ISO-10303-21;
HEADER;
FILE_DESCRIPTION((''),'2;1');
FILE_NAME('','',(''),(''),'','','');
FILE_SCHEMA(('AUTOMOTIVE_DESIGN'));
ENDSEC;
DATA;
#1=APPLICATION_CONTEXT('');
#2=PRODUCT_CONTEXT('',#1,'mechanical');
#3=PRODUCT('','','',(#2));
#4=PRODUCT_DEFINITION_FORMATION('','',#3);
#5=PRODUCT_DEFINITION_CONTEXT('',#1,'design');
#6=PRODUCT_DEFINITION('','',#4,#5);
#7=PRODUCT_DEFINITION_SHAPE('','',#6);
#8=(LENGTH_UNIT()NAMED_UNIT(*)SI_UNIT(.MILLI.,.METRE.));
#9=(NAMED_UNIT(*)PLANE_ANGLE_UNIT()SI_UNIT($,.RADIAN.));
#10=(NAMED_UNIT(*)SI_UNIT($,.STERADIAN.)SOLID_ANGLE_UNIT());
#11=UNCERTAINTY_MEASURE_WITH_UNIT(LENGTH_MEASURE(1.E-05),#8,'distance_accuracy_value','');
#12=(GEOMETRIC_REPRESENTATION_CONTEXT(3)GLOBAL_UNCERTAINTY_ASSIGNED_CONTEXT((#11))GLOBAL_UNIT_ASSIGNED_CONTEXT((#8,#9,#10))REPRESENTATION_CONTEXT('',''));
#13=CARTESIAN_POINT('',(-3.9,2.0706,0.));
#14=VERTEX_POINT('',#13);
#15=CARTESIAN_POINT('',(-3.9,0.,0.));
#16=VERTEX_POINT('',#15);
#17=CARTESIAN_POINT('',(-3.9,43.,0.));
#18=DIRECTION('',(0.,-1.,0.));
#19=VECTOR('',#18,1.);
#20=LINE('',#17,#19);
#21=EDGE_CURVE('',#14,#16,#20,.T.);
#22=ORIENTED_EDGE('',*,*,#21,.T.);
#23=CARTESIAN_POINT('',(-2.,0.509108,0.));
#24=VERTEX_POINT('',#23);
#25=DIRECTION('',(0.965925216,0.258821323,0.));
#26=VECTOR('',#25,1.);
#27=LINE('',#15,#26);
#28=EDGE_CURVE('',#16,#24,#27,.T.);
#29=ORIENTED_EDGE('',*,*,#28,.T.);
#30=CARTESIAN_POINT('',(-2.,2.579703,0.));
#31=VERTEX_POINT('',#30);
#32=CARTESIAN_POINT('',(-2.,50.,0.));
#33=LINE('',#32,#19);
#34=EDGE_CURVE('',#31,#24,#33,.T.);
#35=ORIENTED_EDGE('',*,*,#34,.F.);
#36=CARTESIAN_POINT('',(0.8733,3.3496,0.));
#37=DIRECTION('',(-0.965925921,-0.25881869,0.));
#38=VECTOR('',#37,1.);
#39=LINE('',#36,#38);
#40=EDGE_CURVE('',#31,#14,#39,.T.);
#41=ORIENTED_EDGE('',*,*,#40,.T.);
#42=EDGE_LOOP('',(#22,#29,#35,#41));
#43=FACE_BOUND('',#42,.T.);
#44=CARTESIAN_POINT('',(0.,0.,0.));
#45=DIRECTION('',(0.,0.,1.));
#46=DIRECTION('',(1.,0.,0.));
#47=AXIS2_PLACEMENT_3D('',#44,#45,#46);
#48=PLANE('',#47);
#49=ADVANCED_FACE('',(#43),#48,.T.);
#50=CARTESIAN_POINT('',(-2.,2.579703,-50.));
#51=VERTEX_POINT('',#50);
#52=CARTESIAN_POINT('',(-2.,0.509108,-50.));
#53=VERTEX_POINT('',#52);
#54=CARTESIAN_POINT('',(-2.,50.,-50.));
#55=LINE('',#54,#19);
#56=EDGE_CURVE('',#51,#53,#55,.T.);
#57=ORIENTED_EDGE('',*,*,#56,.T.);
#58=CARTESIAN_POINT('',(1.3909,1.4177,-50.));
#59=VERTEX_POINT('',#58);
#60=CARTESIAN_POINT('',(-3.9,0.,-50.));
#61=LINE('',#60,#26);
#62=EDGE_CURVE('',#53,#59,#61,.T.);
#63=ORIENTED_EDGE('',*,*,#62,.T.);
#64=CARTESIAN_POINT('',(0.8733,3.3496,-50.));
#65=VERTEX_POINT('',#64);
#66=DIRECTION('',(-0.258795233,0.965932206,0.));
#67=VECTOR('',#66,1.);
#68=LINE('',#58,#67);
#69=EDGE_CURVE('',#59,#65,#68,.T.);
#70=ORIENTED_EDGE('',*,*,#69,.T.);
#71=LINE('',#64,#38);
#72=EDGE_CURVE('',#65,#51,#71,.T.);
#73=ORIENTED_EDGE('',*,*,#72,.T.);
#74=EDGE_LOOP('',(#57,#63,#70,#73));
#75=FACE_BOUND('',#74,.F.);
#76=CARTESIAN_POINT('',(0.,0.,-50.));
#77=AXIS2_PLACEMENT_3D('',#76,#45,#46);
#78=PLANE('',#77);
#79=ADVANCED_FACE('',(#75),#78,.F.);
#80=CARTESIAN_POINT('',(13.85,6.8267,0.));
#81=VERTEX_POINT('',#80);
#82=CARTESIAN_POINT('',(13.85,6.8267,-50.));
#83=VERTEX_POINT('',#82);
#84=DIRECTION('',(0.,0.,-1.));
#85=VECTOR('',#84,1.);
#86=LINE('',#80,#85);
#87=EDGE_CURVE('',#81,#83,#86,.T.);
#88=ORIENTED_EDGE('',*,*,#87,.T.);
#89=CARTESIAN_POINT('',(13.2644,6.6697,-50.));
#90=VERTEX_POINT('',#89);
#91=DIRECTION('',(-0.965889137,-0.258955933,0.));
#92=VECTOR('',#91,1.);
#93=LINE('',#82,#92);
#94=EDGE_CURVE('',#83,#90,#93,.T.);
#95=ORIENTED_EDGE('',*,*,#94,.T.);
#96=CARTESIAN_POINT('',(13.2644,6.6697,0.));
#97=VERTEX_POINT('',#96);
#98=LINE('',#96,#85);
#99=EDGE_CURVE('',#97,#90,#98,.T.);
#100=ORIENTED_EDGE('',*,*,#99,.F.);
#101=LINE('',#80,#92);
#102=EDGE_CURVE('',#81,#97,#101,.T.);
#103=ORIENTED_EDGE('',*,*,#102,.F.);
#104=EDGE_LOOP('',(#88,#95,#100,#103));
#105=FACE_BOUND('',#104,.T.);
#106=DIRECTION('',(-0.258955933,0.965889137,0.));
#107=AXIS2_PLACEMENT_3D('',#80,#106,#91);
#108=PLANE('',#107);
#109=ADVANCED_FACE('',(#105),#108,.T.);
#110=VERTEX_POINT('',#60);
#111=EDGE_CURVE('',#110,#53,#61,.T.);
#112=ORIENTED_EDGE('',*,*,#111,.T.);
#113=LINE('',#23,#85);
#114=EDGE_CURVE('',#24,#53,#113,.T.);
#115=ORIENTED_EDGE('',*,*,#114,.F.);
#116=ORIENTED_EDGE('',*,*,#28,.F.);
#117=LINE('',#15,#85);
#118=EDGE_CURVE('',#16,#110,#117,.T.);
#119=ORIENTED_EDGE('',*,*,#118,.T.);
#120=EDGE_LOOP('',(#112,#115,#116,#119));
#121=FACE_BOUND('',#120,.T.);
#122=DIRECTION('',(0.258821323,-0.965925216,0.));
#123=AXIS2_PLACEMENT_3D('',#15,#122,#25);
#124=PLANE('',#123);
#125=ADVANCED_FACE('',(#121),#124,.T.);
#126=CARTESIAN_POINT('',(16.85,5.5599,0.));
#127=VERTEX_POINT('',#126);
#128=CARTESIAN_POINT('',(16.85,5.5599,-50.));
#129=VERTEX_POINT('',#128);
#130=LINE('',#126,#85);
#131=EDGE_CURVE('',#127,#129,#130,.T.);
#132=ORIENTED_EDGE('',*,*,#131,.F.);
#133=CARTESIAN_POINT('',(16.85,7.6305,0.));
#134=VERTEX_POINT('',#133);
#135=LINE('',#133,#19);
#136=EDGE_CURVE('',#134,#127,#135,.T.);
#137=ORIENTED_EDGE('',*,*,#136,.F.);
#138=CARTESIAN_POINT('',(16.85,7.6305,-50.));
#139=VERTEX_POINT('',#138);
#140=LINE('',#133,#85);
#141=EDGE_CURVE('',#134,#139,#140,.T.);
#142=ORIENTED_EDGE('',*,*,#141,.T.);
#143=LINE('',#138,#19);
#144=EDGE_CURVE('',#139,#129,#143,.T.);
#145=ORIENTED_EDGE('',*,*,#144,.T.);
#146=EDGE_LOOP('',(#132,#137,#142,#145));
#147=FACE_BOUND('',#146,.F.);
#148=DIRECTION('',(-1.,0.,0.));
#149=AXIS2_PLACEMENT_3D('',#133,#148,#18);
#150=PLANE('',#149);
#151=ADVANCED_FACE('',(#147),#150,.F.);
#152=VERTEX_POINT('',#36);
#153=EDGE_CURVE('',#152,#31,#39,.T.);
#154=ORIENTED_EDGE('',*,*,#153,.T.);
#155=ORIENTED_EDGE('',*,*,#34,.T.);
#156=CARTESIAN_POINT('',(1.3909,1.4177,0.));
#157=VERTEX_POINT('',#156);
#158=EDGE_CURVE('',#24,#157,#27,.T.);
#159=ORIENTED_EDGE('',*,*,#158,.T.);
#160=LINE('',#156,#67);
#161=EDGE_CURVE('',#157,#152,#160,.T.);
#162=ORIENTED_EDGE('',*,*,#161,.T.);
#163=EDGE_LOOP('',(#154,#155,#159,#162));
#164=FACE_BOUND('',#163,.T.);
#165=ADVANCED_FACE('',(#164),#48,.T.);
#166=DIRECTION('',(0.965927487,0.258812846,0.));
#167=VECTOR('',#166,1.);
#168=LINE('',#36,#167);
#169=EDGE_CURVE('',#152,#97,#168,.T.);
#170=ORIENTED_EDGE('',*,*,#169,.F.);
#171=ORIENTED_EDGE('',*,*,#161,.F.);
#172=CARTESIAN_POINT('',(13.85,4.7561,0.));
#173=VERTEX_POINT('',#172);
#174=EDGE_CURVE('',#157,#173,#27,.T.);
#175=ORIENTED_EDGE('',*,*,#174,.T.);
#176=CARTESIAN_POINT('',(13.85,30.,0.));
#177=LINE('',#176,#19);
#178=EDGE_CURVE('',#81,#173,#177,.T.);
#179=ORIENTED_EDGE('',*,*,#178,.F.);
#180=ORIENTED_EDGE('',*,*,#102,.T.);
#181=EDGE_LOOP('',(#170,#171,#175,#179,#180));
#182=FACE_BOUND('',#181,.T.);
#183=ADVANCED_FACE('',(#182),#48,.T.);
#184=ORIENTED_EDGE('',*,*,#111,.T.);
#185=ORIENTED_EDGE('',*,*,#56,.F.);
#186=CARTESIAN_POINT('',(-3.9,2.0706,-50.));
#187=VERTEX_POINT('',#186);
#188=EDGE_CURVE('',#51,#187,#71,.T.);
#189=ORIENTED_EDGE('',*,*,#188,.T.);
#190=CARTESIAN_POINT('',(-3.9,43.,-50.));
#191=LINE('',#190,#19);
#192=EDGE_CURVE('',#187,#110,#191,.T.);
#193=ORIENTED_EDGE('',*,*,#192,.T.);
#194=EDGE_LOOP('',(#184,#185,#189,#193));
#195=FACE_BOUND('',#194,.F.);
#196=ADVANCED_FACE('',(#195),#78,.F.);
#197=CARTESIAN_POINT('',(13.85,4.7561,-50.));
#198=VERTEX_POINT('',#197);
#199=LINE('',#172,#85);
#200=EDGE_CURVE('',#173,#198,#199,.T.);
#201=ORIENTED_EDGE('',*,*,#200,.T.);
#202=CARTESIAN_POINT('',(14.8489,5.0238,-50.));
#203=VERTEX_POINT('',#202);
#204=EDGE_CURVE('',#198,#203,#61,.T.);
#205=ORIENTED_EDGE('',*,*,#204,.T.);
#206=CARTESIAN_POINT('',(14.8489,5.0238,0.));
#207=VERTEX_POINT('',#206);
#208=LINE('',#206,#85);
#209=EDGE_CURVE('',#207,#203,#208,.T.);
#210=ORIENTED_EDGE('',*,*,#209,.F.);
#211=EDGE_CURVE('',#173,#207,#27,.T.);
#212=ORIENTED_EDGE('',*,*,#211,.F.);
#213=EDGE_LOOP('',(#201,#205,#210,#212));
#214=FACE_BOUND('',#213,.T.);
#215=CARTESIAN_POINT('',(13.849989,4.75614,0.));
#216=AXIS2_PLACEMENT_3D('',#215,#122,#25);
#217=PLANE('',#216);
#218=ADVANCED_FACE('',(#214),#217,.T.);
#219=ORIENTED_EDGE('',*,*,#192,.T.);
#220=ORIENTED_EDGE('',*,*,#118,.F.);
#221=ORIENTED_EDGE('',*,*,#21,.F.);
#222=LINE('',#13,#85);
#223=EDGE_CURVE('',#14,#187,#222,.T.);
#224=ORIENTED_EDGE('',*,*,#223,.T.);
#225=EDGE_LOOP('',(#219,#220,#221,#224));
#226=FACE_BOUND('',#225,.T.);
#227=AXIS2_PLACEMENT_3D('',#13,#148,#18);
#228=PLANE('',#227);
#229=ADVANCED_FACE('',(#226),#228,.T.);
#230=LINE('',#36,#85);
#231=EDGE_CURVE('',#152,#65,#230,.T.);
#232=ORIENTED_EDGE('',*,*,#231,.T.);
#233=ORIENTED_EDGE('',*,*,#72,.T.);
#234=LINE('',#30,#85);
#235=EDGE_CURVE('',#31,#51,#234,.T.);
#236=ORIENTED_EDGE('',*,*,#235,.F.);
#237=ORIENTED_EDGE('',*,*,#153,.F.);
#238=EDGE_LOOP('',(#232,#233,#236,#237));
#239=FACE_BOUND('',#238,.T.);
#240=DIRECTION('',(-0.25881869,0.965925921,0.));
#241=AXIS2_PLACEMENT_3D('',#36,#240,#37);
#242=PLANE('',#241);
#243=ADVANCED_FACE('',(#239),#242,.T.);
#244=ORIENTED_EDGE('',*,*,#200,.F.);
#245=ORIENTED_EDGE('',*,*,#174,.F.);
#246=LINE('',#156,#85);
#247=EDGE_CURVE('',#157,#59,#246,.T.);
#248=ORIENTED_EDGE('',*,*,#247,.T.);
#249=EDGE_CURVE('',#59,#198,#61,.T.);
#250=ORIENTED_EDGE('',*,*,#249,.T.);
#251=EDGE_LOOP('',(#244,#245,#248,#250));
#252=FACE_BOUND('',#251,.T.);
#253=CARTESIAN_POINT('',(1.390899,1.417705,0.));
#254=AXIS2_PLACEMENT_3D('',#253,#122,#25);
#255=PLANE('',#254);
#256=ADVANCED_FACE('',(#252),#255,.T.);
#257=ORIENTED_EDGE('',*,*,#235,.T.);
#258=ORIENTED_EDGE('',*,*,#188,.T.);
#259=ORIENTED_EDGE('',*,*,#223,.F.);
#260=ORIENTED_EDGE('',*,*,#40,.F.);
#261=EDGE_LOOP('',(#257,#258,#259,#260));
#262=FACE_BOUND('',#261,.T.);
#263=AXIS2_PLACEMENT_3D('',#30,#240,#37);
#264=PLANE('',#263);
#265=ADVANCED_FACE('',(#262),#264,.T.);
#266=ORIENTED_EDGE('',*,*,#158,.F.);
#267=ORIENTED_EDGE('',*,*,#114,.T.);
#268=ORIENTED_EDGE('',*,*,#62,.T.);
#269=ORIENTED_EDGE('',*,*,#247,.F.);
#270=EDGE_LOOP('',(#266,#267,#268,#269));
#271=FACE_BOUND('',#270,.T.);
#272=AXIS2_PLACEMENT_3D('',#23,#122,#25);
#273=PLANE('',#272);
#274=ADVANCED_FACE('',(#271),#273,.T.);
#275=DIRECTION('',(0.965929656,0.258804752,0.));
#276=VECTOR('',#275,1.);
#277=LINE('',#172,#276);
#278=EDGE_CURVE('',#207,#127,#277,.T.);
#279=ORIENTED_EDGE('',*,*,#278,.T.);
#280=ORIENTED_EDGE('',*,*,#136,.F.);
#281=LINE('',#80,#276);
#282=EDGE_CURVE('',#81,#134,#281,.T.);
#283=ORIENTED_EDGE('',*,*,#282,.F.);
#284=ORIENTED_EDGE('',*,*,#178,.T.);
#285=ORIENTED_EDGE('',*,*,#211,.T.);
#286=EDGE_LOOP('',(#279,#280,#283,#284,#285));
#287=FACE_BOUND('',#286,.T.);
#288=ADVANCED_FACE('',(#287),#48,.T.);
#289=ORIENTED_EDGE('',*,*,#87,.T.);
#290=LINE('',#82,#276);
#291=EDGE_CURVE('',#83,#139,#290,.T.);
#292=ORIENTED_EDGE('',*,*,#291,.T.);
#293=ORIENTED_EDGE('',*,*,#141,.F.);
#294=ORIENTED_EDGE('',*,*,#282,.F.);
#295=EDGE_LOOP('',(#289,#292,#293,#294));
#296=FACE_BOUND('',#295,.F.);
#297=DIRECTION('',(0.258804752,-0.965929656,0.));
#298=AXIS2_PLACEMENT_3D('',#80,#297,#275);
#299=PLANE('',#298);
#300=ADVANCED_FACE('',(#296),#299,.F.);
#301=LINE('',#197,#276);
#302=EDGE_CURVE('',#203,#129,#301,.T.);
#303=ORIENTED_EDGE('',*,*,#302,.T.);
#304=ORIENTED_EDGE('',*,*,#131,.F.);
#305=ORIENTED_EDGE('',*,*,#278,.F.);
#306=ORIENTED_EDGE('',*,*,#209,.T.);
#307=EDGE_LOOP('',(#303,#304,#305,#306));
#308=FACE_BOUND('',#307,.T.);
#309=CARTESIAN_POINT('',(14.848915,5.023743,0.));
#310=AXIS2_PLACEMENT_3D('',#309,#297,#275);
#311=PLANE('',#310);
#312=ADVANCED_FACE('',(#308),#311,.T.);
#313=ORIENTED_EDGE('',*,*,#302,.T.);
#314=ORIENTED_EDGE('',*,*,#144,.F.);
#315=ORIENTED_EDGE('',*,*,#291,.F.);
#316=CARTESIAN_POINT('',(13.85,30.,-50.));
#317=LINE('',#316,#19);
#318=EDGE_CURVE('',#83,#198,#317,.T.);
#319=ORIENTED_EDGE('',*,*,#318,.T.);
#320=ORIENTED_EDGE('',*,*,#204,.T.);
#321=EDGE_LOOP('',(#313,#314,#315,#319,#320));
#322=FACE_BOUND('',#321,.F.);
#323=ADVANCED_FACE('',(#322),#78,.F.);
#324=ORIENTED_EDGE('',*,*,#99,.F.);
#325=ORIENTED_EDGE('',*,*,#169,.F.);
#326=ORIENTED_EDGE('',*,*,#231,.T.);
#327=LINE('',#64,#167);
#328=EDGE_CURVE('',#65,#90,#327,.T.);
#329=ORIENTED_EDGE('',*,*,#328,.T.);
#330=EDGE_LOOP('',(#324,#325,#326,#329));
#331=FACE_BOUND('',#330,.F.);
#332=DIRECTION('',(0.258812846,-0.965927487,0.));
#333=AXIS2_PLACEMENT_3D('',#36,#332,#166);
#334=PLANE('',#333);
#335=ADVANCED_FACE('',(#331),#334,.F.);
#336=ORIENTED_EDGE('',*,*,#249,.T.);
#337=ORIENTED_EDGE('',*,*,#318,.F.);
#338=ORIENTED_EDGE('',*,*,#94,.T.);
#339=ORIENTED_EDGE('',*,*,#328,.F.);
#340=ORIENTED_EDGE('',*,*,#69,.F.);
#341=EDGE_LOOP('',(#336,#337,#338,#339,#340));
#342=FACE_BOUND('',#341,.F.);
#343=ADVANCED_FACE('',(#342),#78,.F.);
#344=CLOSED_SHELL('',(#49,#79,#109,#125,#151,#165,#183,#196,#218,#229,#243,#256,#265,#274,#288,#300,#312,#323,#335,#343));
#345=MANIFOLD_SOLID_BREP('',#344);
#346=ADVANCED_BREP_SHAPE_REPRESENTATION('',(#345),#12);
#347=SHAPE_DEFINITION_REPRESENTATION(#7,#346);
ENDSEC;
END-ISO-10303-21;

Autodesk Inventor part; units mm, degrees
ref_plane "YZ Plane" through (0, 0, 0) normal (1, 0, 0) x (0, 1, 0)
ref_plane "XZ Plane" through (0, 0, 0) normal (0, 1, 0) x (-1, 0, 0)
ref_plane "XY Plane" through (0, 0, 0) normal (0, 0, 1) x (1, 0, 0)
sketch "Szkic1" plane through (0, 0, 0) normal (0, 0, 1) x (1, 0, 0)
  circle A0 centre (3.1, 43) radius 7 projected
  line L0 (-2, 50) -> (-2, 0)
  line L1 (-2, 50) -> (0, 50) projected
  line L2 (-3.9, 43) -> (-3.9, 0)
  line L3 (-3.9, 0) -> (-2, 0)
  line L4 (-3.9, 0) -> (14.8489, 5.0238)
  line L5 (-3.9, 0) -> (15.5103, 0) construction
  line L6 (1.3909, 1.4177) -> (0.8733, 3.3496)
  line L7 (0.8733, 3.3496) -> (-3.9, 2.0706)
  line L8 (0.8733, 3.3496) -> (13.2644, 6.6697)
  line L9 (13.85, 30) -> (13.85, 0) projected
  line L10 (13.85, 6.8267) -> (16.85, 7.6305)
  line L11 (13.85, 4.7561) -> (16.85, 5.5599)
  line L12 (16.85, 7.6305) -> (16.85, 5.5599)
  line L13 (13.85, 6.8267) -> (13.2644, 6.6697)
  point P0 (0, 0)
  point P1 (-2, 0)
  point P2 (16.85, 6.5952)
  dimension "d0" = 50
  dimension "d1" = 15
  dimension "d2" = 2
  dimension "d3" = 3
extrude "Wyciągnięcie proste1" add sketch "Szkic1" against normal blind 50 contours L7 L6 L4 L0 | L0 L4 L2 L7 | L8 L13 L9 L4 L6 | L9 L10 L12 L11 L4
properties part number "noz"
